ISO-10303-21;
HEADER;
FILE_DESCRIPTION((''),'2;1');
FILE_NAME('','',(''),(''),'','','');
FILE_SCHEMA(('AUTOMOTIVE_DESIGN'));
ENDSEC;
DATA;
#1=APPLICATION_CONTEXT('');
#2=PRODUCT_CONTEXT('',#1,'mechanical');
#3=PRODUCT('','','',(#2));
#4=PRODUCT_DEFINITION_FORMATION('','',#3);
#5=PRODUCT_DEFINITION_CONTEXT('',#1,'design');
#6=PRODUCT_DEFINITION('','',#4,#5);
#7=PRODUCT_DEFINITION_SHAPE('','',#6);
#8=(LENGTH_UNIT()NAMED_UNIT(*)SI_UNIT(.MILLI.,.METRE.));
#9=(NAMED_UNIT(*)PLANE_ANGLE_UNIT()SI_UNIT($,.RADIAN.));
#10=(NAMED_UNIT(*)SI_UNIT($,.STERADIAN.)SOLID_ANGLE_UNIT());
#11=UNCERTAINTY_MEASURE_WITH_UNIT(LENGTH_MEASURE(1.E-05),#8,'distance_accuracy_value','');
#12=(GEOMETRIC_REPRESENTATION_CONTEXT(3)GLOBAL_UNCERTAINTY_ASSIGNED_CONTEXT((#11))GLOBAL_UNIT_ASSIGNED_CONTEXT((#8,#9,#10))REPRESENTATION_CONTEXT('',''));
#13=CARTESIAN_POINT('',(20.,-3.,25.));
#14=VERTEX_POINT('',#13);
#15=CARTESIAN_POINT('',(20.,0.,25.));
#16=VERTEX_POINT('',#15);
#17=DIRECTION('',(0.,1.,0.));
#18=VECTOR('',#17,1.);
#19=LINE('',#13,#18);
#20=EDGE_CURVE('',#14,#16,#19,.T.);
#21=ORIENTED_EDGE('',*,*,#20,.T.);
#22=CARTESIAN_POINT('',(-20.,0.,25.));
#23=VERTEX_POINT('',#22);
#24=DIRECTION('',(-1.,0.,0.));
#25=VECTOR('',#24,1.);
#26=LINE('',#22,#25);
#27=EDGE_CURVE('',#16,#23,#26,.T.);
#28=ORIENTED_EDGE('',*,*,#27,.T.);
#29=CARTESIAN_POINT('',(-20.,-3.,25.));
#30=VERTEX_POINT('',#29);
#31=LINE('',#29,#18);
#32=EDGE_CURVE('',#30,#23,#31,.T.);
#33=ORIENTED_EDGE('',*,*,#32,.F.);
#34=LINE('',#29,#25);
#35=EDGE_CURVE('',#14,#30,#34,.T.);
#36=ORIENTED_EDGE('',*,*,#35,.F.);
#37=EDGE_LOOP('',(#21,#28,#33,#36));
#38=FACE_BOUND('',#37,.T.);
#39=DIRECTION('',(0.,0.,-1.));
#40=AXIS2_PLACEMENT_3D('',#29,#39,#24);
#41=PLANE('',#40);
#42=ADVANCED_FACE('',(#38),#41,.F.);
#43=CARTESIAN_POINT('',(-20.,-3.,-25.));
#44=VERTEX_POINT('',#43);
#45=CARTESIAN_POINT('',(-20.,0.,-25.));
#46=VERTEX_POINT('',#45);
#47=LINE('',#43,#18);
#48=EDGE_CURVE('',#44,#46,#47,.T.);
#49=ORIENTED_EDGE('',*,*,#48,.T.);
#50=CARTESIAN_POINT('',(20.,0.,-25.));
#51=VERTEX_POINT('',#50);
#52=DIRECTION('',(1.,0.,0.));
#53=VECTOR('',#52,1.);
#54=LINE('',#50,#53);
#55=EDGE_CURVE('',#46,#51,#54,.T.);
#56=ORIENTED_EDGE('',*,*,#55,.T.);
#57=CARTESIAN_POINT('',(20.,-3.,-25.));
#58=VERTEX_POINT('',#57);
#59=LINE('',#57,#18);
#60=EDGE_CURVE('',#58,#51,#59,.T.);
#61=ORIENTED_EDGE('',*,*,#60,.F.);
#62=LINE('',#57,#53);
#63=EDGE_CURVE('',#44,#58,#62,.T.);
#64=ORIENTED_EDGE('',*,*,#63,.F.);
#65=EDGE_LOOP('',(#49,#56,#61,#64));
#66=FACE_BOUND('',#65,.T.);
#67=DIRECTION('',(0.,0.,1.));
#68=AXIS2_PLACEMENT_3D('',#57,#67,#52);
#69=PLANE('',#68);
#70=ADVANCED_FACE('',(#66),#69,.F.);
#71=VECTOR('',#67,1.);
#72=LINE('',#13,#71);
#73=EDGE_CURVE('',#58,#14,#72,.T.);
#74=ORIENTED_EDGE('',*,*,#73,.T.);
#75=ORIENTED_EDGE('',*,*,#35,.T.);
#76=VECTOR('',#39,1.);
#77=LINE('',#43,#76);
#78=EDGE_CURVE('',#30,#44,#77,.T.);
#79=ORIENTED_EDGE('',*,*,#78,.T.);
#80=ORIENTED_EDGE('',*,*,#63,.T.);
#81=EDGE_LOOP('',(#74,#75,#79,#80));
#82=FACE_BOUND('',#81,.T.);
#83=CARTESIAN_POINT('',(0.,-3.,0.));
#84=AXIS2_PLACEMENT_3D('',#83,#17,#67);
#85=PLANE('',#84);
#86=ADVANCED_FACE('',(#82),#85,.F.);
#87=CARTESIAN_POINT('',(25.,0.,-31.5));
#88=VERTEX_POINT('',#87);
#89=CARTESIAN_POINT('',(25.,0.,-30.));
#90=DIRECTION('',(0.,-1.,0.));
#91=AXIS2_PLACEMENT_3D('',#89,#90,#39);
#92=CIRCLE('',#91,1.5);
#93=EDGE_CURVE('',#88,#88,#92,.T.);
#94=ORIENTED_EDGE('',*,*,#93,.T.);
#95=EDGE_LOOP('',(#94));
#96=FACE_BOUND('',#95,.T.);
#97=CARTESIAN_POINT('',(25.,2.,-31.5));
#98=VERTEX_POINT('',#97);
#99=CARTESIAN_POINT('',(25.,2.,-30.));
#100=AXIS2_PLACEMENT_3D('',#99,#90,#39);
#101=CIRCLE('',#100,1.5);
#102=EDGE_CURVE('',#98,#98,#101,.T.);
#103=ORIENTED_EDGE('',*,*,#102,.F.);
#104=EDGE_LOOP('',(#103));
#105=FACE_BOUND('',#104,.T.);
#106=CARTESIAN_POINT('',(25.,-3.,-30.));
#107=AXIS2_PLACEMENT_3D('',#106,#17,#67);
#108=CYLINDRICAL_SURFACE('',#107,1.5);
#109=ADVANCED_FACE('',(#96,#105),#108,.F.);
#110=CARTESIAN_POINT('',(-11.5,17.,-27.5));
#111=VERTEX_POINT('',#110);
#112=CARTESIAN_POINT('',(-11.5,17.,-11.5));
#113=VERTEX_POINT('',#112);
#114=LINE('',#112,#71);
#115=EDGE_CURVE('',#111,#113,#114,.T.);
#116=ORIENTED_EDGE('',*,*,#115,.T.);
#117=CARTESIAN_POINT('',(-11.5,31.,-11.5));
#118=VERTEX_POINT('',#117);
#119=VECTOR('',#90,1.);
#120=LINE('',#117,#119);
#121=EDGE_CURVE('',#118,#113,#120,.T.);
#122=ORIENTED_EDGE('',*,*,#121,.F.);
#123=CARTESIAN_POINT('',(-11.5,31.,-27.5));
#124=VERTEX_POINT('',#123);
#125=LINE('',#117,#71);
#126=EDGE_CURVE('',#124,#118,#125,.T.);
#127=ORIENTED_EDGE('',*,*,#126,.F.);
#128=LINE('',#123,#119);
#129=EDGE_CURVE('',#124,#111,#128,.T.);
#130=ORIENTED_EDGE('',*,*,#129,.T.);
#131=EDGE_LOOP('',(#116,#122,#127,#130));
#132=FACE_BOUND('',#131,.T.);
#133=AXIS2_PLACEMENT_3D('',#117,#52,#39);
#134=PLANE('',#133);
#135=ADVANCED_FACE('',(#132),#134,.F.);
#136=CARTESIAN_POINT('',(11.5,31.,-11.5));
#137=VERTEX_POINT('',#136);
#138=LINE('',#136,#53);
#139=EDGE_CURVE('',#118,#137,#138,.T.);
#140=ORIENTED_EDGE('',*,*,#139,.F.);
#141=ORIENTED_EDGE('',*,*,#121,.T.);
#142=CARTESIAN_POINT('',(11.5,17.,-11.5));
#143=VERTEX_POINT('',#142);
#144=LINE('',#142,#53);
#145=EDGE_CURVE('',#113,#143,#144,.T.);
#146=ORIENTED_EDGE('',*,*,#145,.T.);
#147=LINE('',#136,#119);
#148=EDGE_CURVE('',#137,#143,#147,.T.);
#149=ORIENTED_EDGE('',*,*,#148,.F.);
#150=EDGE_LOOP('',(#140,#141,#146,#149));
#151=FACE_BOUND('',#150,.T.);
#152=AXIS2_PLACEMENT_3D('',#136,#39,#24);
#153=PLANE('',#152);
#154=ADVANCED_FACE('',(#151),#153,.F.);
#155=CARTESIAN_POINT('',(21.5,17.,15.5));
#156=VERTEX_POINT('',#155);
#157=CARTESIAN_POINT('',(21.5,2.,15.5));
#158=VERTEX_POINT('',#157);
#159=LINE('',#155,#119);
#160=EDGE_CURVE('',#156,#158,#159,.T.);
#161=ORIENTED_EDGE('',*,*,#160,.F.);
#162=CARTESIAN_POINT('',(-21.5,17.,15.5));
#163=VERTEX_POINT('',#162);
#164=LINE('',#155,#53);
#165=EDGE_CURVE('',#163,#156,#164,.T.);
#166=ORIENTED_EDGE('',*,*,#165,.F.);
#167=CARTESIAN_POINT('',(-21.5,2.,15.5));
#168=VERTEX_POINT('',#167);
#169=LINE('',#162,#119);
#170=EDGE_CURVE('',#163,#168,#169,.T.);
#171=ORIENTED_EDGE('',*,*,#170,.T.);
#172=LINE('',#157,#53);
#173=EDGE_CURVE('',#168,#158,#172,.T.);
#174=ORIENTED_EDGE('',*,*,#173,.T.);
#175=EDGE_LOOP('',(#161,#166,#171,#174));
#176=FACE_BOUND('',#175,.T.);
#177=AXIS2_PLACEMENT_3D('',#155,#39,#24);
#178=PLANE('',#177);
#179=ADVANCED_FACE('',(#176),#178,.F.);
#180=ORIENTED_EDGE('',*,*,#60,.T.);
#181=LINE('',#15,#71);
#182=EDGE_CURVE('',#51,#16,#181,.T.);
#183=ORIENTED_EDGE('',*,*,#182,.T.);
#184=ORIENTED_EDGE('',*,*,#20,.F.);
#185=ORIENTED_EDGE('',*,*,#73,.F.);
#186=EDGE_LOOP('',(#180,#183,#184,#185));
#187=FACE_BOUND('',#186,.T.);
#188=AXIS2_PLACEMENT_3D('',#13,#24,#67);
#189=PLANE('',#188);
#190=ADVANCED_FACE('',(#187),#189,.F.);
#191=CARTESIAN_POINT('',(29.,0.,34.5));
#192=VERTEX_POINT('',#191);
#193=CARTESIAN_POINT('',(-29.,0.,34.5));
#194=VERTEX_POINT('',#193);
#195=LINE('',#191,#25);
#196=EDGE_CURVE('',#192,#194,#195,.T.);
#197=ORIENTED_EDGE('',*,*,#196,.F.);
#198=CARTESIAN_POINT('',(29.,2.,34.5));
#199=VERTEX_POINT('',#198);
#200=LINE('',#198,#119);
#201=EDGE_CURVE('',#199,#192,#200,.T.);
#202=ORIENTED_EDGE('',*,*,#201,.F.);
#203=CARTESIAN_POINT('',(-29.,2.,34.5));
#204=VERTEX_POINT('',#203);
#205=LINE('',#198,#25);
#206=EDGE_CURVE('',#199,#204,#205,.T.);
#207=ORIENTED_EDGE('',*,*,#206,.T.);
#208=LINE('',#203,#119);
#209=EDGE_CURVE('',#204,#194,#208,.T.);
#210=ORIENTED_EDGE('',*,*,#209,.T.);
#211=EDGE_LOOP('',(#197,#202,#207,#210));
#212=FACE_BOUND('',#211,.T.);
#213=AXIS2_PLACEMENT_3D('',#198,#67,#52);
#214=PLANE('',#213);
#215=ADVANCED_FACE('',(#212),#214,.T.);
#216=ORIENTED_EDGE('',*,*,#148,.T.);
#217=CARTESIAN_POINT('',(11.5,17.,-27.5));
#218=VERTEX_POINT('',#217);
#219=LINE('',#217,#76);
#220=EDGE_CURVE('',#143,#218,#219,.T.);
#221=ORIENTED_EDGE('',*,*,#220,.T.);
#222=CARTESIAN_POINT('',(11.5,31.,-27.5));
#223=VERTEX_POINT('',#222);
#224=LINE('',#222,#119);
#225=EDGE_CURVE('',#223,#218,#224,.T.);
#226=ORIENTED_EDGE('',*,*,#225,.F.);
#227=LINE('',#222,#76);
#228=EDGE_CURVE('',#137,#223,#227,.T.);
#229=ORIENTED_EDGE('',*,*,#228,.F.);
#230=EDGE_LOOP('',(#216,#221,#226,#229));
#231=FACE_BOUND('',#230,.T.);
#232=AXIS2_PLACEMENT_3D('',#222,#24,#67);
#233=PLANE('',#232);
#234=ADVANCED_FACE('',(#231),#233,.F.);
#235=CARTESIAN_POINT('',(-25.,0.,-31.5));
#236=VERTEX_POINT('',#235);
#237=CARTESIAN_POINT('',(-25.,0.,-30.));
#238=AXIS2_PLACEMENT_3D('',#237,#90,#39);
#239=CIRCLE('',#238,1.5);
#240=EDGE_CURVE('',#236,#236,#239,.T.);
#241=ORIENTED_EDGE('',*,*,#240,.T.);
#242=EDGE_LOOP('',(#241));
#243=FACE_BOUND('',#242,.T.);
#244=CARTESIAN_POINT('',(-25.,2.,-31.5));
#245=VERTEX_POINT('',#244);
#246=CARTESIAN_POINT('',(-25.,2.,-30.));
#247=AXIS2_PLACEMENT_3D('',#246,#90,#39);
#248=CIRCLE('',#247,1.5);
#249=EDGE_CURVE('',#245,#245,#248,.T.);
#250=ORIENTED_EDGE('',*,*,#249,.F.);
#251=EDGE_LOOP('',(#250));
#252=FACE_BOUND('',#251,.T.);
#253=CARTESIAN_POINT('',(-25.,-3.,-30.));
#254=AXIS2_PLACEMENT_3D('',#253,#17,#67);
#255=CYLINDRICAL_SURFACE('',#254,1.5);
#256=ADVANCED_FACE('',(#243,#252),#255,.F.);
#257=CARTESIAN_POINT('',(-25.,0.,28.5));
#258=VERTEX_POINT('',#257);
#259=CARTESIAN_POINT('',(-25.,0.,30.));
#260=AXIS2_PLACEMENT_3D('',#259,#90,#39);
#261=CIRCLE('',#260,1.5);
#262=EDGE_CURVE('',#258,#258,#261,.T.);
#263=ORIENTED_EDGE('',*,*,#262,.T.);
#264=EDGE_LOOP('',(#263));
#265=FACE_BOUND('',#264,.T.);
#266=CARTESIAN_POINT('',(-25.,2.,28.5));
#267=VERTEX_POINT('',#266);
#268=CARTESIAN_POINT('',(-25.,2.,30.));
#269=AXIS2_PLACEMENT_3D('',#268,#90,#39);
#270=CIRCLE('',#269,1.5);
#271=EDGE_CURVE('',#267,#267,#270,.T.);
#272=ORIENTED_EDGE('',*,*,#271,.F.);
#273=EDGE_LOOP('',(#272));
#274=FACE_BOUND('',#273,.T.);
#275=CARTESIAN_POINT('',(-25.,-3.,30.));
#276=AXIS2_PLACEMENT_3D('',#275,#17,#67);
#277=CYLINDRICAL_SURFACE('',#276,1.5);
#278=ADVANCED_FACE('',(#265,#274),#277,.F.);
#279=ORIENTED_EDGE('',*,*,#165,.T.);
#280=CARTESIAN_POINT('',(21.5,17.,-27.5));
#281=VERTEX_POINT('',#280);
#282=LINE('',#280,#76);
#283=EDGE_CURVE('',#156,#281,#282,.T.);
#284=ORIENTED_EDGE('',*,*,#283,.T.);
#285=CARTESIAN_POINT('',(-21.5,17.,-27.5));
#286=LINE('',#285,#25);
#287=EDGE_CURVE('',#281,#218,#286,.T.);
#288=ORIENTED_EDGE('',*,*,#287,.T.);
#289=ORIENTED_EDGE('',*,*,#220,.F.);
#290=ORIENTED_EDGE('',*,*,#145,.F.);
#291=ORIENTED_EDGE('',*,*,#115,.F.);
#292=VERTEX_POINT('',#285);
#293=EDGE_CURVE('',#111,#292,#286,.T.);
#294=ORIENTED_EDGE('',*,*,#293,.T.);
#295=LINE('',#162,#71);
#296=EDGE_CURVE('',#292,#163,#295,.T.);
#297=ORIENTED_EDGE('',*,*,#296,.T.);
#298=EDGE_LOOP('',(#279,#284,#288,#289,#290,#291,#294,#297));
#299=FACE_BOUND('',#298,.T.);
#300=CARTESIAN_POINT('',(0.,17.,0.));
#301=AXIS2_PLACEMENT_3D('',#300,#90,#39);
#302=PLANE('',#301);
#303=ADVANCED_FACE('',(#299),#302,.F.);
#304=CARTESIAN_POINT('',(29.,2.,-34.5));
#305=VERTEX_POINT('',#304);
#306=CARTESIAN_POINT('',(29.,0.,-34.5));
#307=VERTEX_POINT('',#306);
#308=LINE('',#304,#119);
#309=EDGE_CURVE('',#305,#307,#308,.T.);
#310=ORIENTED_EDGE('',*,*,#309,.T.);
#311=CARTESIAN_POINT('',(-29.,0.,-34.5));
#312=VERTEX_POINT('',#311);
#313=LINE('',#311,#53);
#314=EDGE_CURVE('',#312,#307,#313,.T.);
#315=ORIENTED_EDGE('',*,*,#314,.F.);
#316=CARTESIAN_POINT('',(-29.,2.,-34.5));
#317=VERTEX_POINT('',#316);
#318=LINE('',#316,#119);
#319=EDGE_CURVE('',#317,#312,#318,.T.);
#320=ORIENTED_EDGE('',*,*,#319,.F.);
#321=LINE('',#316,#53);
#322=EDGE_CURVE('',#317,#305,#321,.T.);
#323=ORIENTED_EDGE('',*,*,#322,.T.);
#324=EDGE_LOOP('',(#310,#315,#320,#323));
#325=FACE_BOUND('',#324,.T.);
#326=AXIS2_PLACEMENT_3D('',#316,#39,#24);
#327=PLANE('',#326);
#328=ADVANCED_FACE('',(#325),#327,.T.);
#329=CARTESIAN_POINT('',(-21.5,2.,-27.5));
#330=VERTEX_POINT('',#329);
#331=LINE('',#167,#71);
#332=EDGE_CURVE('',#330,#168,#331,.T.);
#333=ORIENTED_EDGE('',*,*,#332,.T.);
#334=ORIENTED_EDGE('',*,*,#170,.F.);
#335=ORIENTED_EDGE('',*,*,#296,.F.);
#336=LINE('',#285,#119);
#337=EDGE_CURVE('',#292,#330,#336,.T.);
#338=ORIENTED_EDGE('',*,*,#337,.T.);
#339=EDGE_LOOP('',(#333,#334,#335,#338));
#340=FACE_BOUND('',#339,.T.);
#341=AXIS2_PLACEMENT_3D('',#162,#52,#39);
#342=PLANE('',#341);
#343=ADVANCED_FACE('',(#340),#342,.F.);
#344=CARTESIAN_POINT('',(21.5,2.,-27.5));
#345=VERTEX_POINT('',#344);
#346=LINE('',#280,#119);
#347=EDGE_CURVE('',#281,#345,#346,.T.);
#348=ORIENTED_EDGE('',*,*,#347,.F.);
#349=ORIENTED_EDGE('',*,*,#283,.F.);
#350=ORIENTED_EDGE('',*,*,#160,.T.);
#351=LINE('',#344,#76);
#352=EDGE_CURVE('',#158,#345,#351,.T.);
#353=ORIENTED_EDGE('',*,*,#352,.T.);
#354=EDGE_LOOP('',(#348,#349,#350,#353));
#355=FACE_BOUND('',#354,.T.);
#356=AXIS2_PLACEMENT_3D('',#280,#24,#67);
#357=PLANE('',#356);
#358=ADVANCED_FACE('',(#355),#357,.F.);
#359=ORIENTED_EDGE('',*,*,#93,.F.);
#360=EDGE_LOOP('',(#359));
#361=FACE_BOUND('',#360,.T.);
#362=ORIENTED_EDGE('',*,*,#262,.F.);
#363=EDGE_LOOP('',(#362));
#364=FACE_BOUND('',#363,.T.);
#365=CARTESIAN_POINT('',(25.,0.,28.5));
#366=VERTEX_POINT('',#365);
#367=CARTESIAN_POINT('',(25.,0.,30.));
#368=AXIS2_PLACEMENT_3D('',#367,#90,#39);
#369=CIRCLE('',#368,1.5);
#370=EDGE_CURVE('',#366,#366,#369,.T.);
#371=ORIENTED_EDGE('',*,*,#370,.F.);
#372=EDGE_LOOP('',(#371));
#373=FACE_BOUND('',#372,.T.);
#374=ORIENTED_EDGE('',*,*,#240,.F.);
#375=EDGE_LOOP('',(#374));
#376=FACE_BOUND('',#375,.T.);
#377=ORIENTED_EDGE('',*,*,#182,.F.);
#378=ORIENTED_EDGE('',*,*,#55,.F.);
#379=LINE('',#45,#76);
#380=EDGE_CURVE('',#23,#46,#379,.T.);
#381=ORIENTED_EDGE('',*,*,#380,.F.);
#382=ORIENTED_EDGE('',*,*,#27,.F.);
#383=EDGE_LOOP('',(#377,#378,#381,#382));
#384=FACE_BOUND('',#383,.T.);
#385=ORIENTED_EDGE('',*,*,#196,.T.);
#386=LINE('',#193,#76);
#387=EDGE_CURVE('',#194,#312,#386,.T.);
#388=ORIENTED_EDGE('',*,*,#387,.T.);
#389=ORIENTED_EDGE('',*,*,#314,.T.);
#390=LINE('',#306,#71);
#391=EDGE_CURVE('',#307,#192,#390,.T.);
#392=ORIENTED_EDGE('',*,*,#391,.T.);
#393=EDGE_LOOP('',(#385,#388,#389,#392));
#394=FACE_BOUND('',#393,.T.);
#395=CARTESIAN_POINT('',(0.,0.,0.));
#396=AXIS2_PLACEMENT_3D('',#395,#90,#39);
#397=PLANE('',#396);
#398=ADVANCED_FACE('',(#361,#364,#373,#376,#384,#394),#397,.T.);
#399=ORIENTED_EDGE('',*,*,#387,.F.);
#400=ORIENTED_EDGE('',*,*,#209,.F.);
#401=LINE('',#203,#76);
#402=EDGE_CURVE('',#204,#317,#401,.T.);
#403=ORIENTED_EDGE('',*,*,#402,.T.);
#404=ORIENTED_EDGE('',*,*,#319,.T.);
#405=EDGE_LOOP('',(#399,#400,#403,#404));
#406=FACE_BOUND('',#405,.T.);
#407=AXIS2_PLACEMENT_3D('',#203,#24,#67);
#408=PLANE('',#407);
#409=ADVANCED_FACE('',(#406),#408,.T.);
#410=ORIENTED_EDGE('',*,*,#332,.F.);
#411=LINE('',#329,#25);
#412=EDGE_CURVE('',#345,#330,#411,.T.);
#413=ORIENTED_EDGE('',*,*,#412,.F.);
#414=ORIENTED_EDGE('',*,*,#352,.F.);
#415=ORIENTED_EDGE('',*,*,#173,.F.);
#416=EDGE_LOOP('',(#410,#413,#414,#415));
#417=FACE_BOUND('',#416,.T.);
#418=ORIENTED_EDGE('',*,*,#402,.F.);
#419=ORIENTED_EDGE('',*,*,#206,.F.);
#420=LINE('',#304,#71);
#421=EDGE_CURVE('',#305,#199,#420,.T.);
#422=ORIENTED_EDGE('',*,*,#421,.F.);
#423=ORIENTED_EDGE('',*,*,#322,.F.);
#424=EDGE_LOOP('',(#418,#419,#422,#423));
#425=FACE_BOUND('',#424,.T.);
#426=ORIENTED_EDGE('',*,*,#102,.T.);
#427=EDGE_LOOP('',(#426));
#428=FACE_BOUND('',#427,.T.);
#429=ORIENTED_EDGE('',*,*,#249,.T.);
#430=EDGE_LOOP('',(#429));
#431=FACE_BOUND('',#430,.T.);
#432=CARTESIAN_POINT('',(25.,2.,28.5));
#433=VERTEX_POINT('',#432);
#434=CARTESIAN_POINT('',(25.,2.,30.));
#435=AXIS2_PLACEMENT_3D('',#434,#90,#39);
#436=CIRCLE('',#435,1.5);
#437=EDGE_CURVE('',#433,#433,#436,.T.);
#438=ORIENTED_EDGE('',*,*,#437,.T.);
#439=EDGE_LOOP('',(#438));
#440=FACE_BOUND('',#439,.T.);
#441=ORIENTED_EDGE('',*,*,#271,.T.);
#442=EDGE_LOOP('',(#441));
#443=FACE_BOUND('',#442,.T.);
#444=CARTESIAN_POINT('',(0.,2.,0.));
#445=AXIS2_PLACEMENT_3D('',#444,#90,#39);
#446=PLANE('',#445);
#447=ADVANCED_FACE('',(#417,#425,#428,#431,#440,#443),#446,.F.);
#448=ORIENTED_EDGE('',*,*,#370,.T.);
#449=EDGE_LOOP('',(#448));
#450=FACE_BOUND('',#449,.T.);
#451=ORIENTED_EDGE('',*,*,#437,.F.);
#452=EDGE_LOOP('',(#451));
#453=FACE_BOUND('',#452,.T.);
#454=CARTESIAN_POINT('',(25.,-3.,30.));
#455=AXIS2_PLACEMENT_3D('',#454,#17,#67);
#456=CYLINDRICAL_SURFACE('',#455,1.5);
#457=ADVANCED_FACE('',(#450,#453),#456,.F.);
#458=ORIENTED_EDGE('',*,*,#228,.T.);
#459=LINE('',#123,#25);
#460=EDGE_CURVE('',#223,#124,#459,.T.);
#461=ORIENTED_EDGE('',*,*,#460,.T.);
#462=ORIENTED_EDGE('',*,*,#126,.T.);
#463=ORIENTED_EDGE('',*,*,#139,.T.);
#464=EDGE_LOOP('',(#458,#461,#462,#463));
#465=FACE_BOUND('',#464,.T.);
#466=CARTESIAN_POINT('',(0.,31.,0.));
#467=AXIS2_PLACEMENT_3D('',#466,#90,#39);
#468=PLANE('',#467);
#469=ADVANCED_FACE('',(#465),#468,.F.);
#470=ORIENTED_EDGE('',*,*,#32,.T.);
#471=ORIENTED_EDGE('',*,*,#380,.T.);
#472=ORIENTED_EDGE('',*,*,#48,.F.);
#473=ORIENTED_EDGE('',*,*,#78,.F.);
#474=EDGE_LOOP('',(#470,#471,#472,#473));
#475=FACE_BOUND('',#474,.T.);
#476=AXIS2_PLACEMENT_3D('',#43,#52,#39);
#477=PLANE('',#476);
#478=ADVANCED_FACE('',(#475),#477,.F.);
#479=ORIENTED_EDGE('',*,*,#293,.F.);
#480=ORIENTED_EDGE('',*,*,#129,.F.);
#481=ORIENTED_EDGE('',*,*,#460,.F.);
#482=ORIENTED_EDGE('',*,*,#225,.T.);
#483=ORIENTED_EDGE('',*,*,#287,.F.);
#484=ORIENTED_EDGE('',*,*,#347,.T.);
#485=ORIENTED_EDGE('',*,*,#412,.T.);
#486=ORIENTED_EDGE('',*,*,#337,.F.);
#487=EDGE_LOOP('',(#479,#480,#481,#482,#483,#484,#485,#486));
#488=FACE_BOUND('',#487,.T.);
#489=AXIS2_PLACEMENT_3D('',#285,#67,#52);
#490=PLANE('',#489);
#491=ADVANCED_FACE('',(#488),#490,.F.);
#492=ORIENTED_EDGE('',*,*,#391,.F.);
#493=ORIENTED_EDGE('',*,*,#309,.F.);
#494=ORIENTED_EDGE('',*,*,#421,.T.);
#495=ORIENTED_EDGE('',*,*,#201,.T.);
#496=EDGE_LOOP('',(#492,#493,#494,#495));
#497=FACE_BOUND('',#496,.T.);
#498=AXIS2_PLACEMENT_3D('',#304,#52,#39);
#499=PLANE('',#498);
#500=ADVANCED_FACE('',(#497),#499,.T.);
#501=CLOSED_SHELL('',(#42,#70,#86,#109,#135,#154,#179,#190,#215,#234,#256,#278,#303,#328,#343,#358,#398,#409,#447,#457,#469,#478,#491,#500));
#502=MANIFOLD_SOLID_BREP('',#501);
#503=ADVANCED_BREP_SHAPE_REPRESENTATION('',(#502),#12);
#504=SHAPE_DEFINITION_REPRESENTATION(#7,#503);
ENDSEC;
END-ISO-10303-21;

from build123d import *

# Parameters (mm, degrees)
SKETCH_1_W                  = 58
SKETCH_1_H                  = 69
EXTRUDE_351_DEPTH           = 2
SKETCH_2_W                  = 43
SKETCH_2_H                  = 43
EXTRUDE_607_DEPTH           = 15
SKETCH_3_W                  = 23
SKETCH_3_H                  = 16
EXTRUDE_850_DEPTH           = 14
SKETCH_4_W                  = 40
SKETCH_4_H                  = 50
EXTRUDE_1071_DEPTH          = 3
CUT_EXTRUDE_1381_DEPTH      = 54.593376456
CUT_EXTRUDE_1381_DEPTH_BACK = 54.593376456
SKETCH_7_R                  = 1.5


with BuildPart() as part:
    # Эскиз1 → Extrude 351 (new body)
    with BuildSketch(Plane.XZ):
        Rectangle(SKETCH_1_W, SKETCH_1_H)
    extrude(amount=-EXTRUDE_351_DEPTH)

    # Эскиз2 → Extrude 607 (add)
    with BuildSketch(Plane(origin=(0, 2, 0), x_dir=(-1, 0, 0), z_dir=(0, 1, 0))):
        with Locations((0, -6)):
            Rectangle(SKETCH_2_W, SKETCH_2_H)
    extrude(amount=EXTRUDE_607_DEPTH)

    # Эскиз3 → Extrude 850 (add)
    with BuildSketch(Plane(origin=(0, 17, 0), x_dir=(-1, 0, 0), z_dir=(0, 1, 0))):
        with Locations((0, -19.5)):
            Rectangle(SKETCH_3_W, SKETCH_3_H)
    extrude(amount=EXTRUDE_850_DEPTH)

    # Эскиз4 → Extrude 1071 (add)
    with BuildSketch(Plane.XZ):
        Rectangle(SKETCH_4_W, SKETCH_4_H)
    extrude(amount=EXTRUDE_1071_DEPTH)

    # Эскиз7 → Cut-Extrude 1381 (cut, two sides: drawn at the far end of the back side and taken through both)
    with BuildSketch(Plane(origin=(0, 2, 0), x_dir=(1, 0, 0), z_dir=(0, 1, 0)).offset(-CUT_EXTRUDE_1381_DEPTH_BACK)):
        with Locations(Location((-25, 30, 0), (0, 0, 90))):
            Circle(SKETCH_7_R)
        with Locations(Location((25, 30, 0), (0, 0, 90))):
            Circle(SKETCH_7_R)
        with Locations(Location((25, -30, 0), (0, 0, 90))):
            Circle(SKETCH_7_R)
        with Locations(Location((-25, -30, 0), (0, 0, 90))):
            Circle(SKETCH_7_R)
    extrude(amount=CUT_EXTRUDE_1381_DEPTH + CUT_EXTRUDE_1381_DEPTH_BACK, mode=Mode.SUBTRACT)


solid = part.part
